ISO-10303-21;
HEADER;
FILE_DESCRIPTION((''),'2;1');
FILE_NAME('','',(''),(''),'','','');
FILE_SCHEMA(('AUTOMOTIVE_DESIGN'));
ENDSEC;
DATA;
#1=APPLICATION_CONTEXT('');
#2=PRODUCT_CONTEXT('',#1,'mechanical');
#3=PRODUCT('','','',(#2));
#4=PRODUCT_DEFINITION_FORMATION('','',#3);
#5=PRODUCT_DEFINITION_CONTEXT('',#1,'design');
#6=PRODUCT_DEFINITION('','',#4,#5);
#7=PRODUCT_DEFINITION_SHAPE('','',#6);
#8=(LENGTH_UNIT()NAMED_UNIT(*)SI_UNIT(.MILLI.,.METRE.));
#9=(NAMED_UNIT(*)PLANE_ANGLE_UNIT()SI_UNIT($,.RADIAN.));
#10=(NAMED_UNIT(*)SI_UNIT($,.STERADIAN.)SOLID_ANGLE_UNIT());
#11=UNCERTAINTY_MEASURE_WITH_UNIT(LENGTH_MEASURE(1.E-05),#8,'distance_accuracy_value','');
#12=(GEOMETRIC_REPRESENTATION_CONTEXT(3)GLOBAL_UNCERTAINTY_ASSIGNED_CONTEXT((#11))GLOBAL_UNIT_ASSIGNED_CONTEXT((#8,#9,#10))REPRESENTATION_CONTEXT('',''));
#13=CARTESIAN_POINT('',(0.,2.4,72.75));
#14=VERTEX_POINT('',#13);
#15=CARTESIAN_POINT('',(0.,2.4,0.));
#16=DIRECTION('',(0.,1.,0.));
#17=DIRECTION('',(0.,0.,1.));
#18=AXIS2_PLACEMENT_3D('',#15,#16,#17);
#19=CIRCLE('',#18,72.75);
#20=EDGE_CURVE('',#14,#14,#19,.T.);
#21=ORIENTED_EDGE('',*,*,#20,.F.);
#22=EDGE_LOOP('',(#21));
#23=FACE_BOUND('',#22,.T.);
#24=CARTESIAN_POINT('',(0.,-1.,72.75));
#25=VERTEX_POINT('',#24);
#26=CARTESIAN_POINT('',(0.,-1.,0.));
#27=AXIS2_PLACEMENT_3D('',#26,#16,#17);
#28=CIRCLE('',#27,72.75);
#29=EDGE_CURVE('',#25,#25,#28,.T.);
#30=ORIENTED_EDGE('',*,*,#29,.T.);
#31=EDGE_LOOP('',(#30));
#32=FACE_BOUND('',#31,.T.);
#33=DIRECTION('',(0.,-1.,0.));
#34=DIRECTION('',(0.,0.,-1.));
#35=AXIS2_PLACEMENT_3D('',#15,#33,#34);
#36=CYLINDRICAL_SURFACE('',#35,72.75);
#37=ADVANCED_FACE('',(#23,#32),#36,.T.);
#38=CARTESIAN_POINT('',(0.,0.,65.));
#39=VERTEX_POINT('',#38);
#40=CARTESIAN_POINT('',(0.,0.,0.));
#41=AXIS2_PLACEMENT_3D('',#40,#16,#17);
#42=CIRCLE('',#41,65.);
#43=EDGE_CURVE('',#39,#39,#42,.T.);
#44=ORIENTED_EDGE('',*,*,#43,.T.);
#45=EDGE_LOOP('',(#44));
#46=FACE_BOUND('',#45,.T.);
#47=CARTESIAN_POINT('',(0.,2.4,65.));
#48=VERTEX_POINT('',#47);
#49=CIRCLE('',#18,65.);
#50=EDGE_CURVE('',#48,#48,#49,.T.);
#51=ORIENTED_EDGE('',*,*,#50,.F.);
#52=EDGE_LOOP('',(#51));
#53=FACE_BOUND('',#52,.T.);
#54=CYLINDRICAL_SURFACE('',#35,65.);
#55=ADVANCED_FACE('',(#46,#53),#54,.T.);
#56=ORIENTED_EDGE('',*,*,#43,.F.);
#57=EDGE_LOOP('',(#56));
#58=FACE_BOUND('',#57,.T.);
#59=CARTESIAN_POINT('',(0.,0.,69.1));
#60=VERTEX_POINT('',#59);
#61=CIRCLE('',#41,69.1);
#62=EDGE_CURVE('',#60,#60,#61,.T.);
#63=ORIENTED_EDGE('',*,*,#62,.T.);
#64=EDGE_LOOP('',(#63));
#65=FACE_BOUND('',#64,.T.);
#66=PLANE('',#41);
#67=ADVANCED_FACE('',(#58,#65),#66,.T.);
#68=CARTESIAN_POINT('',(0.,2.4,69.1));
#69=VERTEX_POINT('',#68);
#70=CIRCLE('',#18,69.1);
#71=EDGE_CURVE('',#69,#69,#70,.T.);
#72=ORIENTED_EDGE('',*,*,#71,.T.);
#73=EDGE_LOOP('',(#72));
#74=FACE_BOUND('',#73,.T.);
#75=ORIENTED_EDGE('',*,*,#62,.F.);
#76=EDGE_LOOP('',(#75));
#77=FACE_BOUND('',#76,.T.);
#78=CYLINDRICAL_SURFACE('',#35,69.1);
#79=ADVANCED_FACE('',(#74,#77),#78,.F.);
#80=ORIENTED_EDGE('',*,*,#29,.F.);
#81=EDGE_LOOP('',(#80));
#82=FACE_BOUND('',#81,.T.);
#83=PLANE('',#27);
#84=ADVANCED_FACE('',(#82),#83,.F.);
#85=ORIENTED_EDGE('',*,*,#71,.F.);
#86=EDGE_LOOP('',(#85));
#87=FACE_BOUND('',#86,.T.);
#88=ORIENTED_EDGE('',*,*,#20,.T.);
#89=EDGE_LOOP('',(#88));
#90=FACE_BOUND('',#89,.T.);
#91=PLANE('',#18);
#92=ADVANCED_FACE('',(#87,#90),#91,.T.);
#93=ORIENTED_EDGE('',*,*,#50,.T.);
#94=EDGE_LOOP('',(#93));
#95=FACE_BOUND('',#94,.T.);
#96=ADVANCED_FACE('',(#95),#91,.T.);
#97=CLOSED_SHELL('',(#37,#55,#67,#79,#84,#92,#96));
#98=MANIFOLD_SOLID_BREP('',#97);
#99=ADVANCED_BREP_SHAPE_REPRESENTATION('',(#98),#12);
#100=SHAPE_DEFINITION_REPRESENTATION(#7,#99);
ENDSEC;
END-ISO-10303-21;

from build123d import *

# Parameters (mm, degrees)
SKETCH_6_R      = 72.75
SKETCH_6_R_2    = 69.1
EXTRUDE_4_DEPTH = 2.4
SKETCH_6_3_R    = 65
EXTRUDE_5_DEPTH = 2.4
EXTRUDE_START   = -1
SKETCH_6_4_R    = 72.75
EXTRUDE_6_DEPTH = 1


with BuildPart() as part:
    # 草圖6 → 填料-伸長4 (new body)
    with BuildSketch(Plane(origin=(0, 0, 0), x_dir=(1, 0, 0), z_dir=(0, 1, 0))):
        Circle(SKETCH_6_R)
        Circle(SKETCH_6_R_2, mode=Mode.SUBTRACT)
    extrude(amount=EXTRUDE_4_DEPTH)



with BuildPart() as body_2:
    # 草圖6<3> → 填料-伸長5 (new body)
    with BuildSketch(Plane(origin=(0, 0, 0), x_dir=(1, 0, 0), z_dir=(0, 1, 0))):
        Circle(SKETCH_6_3_R)
    extrude(amount=EXTRUDE_5_DEPTH)


with BuildPart() as part_1:
    add(part.part)

    add(body_2.part)  # 填料-伸長6 merges body 2
    # 草圖6<4> → 填料-伸長6 (add)
    with BuildSketch(Plane(origin=(0, 0, 0), x_dir=(1, 0, 0), z_dir=(0, 1, 0)).offset(EXTRUDE_START)):
        Circle(SKETCH_6_4_R)
    extrude(amount=EXTRUDE_6_DEPTH)


solid = part_1.part
